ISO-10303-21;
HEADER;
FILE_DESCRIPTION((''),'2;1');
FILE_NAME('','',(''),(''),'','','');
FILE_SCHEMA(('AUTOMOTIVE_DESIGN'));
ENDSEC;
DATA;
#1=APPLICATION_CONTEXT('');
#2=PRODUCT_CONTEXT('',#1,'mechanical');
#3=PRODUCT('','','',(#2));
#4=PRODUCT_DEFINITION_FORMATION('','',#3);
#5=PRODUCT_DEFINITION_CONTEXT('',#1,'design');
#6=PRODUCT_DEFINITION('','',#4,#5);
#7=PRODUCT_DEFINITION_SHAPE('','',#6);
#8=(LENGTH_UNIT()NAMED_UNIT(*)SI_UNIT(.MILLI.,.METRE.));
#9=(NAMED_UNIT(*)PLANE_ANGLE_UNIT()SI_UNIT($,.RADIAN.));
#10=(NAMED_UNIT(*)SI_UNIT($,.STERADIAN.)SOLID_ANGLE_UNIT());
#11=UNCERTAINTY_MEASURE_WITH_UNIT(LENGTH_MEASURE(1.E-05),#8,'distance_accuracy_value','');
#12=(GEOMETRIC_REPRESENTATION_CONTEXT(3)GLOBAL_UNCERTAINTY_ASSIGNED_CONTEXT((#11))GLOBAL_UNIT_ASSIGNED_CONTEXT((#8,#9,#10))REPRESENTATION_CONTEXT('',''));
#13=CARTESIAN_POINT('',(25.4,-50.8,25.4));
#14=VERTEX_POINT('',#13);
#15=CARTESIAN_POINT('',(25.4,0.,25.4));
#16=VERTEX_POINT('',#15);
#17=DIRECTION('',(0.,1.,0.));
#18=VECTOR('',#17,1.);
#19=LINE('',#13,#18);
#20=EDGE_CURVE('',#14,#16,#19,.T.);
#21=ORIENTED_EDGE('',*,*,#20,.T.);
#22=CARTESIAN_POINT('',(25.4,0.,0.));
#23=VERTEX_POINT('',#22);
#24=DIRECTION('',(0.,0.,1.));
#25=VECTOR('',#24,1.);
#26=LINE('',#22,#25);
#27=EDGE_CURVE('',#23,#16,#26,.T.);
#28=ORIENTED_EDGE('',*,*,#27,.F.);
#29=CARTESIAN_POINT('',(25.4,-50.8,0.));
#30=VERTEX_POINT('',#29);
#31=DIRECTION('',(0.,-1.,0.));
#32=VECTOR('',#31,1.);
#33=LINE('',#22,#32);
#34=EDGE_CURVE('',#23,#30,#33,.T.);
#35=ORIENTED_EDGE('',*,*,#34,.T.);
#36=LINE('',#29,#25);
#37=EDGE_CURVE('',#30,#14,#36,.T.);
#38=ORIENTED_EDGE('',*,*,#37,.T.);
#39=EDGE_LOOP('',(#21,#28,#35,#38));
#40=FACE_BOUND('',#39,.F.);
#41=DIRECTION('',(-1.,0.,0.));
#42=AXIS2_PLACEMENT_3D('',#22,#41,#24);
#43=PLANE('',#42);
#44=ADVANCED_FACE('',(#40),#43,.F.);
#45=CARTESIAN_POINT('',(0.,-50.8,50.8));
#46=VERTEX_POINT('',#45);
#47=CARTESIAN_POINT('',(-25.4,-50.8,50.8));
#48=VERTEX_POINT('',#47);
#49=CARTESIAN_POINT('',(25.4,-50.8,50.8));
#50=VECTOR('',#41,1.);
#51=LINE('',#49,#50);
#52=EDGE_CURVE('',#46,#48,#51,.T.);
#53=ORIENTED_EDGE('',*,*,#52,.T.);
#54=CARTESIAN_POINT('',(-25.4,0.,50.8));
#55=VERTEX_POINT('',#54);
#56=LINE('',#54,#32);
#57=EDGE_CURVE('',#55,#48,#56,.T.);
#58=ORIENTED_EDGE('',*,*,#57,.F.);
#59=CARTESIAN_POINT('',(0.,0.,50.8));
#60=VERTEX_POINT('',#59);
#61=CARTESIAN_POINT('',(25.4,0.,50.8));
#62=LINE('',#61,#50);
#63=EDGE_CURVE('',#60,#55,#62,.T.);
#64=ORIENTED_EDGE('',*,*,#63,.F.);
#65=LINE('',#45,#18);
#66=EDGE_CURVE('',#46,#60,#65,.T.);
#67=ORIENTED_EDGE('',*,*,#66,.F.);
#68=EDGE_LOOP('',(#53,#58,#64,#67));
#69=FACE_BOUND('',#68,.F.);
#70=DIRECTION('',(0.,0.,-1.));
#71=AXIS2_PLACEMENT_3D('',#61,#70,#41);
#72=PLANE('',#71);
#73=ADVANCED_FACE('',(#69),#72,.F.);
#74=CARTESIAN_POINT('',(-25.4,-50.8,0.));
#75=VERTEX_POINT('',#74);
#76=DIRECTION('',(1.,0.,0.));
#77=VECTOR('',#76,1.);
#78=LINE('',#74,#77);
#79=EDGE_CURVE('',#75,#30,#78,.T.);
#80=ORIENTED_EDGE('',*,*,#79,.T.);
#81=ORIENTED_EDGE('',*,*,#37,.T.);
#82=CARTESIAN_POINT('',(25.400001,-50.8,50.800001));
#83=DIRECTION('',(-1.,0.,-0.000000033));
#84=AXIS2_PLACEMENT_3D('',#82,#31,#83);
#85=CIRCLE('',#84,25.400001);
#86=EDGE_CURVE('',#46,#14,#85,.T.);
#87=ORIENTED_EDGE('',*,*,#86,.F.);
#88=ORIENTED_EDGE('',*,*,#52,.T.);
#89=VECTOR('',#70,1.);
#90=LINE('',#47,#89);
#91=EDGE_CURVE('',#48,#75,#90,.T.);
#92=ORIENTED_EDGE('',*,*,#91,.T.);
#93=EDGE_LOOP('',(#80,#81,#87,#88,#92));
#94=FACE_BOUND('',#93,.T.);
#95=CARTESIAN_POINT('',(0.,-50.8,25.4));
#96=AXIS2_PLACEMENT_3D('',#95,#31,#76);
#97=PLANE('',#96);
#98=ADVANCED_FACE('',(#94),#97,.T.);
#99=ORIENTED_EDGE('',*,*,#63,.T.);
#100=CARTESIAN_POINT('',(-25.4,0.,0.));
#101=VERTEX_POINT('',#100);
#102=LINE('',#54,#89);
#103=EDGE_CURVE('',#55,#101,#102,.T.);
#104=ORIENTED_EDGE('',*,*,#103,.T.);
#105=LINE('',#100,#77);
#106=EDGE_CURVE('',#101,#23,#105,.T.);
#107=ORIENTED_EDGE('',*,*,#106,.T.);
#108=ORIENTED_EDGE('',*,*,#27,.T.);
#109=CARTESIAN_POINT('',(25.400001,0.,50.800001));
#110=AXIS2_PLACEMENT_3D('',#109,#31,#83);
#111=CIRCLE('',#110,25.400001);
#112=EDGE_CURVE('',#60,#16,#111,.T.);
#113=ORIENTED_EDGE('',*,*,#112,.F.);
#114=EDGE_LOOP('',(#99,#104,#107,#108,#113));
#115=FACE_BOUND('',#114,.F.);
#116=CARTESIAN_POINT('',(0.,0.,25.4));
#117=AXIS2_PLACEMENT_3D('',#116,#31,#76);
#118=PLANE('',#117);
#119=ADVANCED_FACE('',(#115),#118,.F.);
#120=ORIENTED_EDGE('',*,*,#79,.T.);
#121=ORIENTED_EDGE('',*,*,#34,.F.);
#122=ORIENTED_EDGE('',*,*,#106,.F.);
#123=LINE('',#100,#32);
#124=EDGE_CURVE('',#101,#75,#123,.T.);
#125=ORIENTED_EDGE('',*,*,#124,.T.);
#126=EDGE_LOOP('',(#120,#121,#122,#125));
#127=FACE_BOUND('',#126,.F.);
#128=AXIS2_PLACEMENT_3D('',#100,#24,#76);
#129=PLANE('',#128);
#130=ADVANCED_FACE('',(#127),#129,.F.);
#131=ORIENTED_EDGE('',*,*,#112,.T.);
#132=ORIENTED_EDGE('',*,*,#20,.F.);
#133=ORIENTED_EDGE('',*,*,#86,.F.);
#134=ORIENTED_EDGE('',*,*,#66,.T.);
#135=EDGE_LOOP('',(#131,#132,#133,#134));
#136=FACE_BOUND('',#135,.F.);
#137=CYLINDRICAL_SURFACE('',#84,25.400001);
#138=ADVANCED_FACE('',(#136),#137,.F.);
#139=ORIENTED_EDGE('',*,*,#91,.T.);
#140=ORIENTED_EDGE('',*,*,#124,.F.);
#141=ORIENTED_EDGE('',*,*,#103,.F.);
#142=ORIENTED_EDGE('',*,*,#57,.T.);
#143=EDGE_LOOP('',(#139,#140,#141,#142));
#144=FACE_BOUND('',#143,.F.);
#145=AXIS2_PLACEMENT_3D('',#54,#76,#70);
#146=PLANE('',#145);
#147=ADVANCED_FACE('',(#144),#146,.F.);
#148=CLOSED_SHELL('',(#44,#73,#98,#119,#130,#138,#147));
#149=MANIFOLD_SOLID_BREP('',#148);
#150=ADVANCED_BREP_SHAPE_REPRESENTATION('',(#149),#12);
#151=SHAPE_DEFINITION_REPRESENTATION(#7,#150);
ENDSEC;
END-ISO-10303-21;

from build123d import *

# Parameters (mm, degrees)
F1_DEPTH = 50.8
F3_DEPTH = 50.8


with BuildPart() as f1:
    # F0 (on Front) → F1 (new body)
    with BuildSketch(Plane.XZ):
        Polygon((-25.4, 0), (0, 0), (25.4, 0), (25.4, 50.8), (-25.4, 50.8), align=None)
    extrude(amount=F1_DEPTH)

    # F2 (on face) → F3 (cut)
    with BuildSketch(Plane.XZ.offset(50.8)):
        with BuildLine():
            ThreePointArc((0, 50.8), (7.439488, 32.839488), (25.4, 25.4))
            Line((25.4, 25.4), (25.4, 50.8))
            Line((25.4, 50.8), (0, 50.8))
        make_face()
    extrude(amount=-F3_DEPTH, mode=Mode.SUBTRACT)


solid = f1.part
